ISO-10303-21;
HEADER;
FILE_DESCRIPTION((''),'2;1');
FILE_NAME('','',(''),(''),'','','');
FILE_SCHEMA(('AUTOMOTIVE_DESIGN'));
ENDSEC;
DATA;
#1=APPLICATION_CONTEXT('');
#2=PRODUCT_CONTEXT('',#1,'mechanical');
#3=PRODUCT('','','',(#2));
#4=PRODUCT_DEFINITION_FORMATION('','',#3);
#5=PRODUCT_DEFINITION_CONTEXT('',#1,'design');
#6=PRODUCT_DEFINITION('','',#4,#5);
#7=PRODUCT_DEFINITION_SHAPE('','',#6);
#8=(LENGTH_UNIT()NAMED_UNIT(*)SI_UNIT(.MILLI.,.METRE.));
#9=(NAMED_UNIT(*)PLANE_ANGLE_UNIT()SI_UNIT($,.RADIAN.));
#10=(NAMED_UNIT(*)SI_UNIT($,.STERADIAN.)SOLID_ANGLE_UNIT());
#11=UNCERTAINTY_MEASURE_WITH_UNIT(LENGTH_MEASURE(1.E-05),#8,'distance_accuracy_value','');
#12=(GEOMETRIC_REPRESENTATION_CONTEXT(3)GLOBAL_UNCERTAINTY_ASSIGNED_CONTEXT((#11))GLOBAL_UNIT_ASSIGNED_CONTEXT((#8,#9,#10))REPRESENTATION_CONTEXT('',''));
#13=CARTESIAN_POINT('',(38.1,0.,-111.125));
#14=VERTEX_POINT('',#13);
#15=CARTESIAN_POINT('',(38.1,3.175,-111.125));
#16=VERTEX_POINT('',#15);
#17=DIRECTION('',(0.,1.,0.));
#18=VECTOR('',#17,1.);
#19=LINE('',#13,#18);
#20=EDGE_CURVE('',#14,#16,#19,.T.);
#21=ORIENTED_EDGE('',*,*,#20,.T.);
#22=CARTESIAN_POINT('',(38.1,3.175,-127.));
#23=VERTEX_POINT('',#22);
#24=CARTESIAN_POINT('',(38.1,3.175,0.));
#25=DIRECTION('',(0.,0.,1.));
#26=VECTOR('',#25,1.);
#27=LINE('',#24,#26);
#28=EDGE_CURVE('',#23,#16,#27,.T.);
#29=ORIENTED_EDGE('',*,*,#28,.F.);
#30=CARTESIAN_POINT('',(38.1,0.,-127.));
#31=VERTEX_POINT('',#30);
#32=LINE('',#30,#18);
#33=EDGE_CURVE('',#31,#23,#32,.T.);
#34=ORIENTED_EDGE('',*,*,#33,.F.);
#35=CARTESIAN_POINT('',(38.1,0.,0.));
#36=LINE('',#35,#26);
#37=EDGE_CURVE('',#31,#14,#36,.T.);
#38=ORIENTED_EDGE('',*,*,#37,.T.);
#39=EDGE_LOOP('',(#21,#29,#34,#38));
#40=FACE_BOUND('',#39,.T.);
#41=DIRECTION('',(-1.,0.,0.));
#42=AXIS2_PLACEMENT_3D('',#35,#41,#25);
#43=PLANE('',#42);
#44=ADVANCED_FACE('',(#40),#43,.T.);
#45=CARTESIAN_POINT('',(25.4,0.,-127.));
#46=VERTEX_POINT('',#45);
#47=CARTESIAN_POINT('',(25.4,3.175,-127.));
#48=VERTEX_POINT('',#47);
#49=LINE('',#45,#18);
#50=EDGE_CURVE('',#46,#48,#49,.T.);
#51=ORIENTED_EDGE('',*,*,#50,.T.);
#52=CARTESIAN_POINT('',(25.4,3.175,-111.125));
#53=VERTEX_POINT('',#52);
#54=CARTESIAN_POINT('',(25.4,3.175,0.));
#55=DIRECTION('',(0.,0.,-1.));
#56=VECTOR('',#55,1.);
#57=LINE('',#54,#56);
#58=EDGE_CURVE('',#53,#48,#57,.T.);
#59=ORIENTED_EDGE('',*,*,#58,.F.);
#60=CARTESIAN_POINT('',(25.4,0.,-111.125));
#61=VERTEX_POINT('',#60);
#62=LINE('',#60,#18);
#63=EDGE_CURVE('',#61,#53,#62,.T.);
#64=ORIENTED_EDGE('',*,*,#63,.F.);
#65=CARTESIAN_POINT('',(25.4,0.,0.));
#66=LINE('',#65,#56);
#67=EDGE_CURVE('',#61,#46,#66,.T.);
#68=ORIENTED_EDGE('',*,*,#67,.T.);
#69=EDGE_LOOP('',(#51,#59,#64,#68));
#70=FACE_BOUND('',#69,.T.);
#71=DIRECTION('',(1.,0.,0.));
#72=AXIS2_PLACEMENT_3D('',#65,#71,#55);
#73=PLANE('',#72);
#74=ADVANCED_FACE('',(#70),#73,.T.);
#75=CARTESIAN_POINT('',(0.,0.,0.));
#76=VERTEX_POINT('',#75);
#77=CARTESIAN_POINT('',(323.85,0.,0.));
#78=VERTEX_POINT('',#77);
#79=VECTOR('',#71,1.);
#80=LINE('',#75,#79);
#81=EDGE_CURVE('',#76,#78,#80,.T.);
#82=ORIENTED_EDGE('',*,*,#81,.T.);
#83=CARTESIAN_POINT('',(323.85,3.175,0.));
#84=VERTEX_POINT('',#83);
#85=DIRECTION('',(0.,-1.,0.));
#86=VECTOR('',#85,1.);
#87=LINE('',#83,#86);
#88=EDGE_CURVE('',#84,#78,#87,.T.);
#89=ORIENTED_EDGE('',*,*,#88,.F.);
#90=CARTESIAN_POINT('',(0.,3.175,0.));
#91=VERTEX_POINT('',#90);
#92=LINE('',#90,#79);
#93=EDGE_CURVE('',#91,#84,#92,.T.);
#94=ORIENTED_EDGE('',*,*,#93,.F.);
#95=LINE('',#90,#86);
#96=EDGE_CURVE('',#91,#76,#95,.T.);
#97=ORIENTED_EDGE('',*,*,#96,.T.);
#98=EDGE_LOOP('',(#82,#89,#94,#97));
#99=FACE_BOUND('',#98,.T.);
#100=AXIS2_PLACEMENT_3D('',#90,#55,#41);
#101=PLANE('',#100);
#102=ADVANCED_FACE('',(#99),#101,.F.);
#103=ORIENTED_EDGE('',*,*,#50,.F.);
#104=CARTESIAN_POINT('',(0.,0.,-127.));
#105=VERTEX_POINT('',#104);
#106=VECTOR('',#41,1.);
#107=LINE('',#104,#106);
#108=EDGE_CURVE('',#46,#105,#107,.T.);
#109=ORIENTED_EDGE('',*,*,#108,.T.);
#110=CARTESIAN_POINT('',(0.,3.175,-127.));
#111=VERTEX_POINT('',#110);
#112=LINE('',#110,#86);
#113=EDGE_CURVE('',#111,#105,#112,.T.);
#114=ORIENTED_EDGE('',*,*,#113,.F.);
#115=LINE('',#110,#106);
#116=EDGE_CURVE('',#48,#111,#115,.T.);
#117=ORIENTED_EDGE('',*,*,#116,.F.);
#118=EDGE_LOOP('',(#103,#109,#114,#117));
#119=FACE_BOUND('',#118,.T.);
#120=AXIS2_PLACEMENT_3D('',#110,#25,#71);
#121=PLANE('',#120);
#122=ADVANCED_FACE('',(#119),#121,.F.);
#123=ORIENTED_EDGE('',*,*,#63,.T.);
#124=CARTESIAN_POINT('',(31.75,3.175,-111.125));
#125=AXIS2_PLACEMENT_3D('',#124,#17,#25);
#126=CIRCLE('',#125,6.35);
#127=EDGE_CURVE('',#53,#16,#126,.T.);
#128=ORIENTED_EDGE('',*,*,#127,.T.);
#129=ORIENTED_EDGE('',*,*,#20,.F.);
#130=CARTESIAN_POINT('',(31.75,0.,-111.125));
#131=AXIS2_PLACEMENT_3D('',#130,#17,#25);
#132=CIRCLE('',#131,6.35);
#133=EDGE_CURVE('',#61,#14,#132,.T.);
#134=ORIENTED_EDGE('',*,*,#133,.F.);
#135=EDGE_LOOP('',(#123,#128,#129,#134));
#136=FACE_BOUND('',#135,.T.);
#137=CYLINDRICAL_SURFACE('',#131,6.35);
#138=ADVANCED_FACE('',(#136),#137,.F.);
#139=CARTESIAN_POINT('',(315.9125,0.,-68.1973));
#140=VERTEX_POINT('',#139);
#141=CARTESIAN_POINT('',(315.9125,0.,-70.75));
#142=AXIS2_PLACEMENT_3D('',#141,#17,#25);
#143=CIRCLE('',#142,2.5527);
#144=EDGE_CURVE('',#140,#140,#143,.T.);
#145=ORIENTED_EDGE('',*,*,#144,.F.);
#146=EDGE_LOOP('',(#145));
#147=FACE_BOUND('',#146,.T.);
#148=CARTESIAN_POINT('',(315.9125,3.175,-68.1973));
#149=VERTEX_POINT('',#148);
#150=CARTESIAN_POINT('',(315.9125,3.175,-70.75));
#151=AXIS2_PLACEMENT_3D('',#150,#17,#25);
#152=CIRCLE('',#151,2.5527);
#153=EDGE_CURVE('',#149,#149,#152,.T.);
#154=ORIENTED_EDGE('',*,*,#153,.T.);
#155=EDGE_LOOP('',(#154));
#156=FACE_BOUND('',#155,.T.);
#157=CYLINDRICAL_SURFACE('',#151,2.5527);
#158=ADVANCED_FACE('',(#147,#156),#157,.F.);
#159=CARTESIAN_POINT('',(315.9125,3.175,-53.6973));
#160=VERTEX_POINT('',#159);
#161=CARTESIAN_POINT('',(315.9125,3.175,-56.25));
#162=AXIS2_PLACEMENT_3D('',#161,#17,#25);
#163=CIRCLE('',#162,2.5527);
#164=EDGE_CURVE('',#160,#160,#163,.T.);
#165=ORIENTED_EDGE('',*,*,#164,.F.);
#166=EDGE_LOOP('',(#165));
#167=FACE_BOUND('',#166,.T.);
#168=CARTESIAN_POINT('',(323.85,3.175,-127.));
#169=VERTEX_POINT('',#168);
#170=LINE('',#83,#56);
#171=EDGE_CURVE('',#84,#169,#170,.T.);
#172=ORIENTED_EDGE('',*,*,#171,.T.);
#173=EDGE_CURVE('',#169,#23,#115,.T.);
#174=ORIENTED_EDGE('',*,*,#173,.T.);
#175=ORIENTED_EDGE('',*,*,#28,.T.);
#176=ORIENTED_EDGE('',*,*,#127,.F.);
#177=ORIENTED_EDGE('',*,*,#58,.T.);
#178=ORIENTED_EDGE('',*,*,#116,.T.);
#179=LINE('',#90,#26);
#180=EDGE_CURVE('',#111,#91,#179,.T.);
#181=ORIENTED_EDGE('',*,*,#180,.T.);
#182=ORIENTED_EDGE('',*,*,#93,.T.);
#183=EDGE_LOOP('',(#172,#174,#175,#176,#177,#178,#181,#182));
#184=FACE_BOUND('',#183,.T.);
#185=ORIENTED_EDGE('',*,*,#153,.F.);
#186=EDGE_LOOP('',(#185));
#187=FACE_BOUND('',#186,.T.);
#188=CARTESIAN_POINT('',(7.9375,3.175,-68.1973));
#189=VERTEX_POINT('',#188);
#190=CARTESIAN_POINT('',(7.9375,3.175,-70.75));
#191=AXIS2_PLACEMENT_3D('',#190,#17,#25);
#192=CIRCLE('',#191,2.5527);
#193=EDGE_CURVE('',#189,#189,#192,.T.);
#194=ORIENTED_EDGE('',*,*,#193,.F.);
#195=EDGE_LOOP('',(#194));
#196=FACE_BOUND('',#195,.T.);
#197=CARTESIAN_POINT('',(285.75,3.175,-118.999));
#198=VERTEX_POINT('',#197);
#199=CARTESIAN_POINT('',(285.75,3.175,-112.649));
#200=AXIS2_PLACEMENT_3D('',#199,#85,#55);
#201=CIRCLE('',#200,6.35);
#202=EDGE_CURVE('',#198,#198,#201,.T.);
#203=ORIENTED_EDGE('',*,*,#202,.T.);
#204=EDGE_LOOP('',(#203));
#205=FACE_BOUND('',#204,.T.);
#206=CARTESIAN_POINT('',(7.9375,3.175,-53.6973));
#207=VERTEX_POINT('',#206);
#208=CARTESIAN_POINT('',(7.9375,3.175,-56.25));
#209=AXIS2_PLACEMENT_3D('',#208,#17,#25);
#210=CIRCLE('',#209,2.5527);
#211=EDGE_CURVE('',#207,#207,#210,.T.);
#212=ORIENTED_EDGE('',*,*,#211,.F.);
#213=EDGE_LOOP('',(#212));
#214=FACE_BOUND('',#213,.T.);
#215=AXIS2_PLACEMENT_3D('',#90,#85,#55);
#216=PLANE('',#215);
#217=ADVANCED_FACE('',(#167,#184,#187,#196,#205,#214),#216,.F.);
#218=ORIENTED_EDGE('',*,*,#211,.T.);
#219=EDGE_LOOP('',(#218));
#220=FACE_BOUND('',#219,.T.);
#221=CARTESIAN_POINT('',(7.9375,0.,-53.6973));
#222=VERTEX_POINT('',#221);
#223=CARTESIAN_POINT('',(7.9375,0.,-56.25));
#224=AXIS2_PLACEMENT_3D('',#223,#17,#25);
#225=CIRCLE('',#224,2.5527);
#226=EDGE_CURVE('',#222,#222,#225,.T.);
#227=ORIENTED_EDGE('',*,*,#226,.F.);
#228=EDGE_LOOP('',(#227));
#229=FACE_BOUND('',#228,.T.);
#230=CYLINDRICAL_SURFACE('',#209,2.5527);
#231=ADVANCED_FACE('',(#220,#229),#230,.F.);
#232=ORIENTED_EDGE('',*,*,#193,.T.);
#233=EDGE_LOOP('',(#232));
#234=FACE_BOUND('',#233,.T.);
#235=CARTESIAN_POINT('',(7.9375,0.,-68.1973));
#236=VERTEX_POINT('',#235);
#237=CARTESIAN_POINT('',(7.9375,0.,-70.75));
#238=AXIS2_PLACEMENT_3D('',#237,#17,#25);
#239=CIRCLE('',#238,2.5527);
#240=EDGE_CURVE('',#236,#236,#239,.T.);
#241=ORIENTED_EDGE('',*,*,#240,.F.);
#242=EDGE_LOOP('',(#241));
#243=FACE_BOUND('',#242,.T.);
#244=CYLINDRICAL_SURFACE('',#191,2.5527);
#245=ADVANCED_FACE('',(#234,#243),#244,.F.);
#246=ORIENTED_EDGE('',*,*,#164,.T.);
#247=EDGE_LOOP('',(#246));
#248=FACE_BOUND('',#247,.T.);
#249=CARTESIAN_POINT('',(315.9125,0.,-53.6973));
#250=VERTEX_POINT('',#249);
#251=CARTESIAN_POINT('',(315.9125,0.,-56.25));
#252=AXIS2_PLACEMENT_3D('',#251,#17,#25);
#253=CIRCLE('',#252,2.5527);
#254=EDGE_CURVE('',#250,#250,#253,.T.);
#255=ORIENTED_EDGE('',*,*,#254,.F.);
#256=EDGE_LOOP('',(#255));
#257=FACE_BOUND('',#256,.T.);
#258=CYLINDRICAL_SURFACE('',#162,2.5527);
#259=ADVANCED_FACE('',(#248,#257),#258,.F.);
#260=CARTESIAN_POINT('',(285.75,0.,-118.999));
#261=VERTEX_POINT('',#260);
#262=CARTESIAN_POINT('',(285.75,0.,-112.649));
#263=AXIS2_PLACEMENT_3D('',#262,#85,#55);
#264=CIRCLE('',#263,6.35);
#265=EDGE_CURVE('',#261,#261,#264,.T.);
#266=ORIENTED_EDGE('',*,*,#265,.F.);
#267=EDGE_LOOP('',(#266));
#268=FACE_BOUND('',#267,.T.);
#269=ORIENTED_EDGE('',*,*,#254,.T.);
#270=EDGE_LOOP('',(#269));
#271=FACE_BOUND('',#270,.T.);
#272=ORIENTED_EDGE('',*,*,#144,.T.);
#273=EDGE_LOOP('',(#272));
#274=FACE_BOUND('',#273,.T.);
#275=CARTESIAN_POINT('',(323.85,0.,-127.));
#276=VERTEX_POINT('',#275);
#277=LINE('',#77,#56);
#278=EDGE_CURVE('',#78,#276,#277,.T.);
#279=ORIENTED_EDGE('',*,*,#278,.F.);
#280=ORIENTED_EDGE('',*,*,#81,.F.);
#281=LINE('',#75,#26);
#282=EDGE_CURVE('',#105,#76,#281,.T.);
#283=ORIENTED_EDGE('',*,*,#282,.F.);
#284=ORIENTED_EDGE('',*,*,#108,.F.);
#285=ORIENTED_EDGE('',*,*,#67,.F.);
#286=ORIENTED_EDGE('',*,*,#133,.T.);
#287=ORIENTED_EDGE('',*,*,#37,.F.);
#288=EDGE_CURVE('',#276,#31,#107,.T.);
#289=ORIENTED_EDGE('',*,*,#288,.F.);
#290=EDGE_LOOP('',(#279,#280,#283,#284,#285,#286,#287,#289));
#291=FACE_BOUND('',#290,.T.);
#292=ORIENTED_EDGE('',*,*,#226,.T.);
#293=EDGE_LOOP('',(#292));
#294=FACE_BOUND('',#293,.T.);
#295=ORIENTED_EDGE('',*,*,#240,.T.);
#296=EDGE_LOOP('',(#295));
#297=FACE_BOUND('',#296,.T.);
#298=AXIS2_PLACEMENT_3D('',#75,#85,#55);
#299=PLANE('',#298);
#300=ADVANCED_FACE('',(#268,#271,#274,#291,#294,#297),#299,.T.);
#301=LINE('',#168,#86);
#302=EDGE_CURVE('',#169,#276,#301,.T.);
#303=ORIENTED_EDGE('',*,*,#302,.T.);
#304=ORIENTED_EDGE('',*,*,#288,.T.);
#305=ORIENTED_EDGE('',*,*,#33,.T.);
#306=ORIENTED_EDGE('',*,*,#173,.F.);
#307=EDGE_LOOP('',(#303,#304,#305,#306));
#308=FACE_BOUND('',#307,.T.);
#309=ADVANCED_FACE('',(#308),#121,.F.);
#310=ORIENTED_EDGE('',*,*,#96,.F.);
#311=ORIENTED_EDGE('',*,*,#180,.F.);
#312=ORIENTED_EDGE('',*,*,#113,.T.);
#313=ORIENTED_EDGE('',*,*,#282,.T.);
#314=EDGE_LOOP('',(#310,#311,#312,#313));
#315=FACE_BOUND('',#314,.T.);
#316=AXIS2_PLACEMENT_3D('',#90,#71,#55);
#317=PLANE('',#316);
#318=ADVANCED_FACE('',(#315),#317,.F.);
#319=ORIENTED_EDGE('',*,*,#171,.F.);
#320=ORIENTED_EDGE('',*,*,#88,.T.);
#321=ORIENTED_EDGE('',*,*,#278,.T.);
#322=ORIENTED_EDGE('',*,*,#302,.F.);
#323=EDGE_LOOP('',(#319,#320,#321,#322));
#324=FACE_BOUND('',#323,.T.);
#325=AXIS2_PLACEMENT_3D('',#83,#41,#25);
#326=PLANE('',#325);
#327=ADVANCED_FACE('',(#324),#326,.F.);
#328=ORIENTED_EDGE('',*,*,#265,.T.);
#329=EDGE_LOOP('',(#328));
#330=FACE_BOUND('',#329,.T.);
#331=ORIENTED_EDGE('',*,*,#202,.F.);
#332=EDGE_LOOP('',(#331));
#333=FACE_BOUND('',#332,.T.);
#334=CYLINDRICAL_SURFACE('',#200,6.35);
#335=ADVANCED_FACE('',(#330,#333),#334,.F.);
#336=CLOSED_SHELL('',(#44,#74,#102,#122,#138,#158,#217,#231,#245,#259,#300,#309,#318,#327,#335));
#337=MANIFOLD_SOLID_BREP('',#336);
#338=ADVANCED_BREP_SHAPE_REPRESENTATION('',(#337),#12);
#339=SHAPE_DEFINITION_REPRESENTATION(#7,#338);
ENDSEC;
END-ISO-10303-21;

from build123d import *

# Parameters (mm, degrees)
SKETCH1_W              = 323.85
SKETCH1_H              = 127
BOSS_EXTRUDE1_DEPTH    = 3.175
CUT_EXTRUDE1_DEPTH     = 4.175
SKETCH3_R              = 6.35
CUT_EXTRUDE2_DEPTH     = 58.15
F_10_CLEARANCE_HOLE1_D = 5.1054


with BuildPart() as part:
    # Sketch1 → Boss-Extrude1 (new body)
    with BuildSketch(Plane(origin=(0, 0, 0), x_dir=(1, 0, 0), z_dir=(0, 1, 0))):
        with Locations((161.925, 63.5)):
            Rectangle(SKETCH1_W, SKETCH1_H)
    extrude(amount=BOSS_EXTRUDE1_DEPTH)

    # Sketch2 → Cut-Extrude1 (cut, through all)
    with BuildSketch(Plane(origin=(0, 3.175, 0), x_dir=(1, 0, 0), z_dir=(0, 1, 0))):
        with BuildLine():
            Line((25.4, 127), (25.4, 111.125))
            ThreePointArc((25.4, 111.125), (31.75, 104.775), (38.1, 111.125))
            Line((38.1, 111.125), (38.1, 127))
            Line((38.1, 127), (25.4, 127))
        make_face()
    extrude(amount=-CUT_EXTRUDE1_DEPTH, mode=Mode.SUBTRACT)

    # Sketch3 → Cut-Extrude2 (cut, through all)
    with BuildSketch(Plane(origin=(0, -53.975, 0), x_dir=(-1, 0, 0), z_dir=(0, -1, 0))):
        with Locations((-285.75, 112.649)):
            Circle(SKETCH3_R)
    extrude(amount=-CUT_EXTRUDE2_DEPTH, mode=Mode.SUBTRACT)

    # #10 Clearance Hole1 (through all)
    with Locations(Plane(origin=(0, 3.175, 0), x_dir=(1, 0, 0), z_dir=(0, 1, 0))):
        with Locations((315.9125, 56.25), (315.9125, 70.75), (7.9375, 56.25), (7.9375, 70.75)):
            Hole(F_10_CLEARANCE_HOLE1_D / 2)


solid = part.part
